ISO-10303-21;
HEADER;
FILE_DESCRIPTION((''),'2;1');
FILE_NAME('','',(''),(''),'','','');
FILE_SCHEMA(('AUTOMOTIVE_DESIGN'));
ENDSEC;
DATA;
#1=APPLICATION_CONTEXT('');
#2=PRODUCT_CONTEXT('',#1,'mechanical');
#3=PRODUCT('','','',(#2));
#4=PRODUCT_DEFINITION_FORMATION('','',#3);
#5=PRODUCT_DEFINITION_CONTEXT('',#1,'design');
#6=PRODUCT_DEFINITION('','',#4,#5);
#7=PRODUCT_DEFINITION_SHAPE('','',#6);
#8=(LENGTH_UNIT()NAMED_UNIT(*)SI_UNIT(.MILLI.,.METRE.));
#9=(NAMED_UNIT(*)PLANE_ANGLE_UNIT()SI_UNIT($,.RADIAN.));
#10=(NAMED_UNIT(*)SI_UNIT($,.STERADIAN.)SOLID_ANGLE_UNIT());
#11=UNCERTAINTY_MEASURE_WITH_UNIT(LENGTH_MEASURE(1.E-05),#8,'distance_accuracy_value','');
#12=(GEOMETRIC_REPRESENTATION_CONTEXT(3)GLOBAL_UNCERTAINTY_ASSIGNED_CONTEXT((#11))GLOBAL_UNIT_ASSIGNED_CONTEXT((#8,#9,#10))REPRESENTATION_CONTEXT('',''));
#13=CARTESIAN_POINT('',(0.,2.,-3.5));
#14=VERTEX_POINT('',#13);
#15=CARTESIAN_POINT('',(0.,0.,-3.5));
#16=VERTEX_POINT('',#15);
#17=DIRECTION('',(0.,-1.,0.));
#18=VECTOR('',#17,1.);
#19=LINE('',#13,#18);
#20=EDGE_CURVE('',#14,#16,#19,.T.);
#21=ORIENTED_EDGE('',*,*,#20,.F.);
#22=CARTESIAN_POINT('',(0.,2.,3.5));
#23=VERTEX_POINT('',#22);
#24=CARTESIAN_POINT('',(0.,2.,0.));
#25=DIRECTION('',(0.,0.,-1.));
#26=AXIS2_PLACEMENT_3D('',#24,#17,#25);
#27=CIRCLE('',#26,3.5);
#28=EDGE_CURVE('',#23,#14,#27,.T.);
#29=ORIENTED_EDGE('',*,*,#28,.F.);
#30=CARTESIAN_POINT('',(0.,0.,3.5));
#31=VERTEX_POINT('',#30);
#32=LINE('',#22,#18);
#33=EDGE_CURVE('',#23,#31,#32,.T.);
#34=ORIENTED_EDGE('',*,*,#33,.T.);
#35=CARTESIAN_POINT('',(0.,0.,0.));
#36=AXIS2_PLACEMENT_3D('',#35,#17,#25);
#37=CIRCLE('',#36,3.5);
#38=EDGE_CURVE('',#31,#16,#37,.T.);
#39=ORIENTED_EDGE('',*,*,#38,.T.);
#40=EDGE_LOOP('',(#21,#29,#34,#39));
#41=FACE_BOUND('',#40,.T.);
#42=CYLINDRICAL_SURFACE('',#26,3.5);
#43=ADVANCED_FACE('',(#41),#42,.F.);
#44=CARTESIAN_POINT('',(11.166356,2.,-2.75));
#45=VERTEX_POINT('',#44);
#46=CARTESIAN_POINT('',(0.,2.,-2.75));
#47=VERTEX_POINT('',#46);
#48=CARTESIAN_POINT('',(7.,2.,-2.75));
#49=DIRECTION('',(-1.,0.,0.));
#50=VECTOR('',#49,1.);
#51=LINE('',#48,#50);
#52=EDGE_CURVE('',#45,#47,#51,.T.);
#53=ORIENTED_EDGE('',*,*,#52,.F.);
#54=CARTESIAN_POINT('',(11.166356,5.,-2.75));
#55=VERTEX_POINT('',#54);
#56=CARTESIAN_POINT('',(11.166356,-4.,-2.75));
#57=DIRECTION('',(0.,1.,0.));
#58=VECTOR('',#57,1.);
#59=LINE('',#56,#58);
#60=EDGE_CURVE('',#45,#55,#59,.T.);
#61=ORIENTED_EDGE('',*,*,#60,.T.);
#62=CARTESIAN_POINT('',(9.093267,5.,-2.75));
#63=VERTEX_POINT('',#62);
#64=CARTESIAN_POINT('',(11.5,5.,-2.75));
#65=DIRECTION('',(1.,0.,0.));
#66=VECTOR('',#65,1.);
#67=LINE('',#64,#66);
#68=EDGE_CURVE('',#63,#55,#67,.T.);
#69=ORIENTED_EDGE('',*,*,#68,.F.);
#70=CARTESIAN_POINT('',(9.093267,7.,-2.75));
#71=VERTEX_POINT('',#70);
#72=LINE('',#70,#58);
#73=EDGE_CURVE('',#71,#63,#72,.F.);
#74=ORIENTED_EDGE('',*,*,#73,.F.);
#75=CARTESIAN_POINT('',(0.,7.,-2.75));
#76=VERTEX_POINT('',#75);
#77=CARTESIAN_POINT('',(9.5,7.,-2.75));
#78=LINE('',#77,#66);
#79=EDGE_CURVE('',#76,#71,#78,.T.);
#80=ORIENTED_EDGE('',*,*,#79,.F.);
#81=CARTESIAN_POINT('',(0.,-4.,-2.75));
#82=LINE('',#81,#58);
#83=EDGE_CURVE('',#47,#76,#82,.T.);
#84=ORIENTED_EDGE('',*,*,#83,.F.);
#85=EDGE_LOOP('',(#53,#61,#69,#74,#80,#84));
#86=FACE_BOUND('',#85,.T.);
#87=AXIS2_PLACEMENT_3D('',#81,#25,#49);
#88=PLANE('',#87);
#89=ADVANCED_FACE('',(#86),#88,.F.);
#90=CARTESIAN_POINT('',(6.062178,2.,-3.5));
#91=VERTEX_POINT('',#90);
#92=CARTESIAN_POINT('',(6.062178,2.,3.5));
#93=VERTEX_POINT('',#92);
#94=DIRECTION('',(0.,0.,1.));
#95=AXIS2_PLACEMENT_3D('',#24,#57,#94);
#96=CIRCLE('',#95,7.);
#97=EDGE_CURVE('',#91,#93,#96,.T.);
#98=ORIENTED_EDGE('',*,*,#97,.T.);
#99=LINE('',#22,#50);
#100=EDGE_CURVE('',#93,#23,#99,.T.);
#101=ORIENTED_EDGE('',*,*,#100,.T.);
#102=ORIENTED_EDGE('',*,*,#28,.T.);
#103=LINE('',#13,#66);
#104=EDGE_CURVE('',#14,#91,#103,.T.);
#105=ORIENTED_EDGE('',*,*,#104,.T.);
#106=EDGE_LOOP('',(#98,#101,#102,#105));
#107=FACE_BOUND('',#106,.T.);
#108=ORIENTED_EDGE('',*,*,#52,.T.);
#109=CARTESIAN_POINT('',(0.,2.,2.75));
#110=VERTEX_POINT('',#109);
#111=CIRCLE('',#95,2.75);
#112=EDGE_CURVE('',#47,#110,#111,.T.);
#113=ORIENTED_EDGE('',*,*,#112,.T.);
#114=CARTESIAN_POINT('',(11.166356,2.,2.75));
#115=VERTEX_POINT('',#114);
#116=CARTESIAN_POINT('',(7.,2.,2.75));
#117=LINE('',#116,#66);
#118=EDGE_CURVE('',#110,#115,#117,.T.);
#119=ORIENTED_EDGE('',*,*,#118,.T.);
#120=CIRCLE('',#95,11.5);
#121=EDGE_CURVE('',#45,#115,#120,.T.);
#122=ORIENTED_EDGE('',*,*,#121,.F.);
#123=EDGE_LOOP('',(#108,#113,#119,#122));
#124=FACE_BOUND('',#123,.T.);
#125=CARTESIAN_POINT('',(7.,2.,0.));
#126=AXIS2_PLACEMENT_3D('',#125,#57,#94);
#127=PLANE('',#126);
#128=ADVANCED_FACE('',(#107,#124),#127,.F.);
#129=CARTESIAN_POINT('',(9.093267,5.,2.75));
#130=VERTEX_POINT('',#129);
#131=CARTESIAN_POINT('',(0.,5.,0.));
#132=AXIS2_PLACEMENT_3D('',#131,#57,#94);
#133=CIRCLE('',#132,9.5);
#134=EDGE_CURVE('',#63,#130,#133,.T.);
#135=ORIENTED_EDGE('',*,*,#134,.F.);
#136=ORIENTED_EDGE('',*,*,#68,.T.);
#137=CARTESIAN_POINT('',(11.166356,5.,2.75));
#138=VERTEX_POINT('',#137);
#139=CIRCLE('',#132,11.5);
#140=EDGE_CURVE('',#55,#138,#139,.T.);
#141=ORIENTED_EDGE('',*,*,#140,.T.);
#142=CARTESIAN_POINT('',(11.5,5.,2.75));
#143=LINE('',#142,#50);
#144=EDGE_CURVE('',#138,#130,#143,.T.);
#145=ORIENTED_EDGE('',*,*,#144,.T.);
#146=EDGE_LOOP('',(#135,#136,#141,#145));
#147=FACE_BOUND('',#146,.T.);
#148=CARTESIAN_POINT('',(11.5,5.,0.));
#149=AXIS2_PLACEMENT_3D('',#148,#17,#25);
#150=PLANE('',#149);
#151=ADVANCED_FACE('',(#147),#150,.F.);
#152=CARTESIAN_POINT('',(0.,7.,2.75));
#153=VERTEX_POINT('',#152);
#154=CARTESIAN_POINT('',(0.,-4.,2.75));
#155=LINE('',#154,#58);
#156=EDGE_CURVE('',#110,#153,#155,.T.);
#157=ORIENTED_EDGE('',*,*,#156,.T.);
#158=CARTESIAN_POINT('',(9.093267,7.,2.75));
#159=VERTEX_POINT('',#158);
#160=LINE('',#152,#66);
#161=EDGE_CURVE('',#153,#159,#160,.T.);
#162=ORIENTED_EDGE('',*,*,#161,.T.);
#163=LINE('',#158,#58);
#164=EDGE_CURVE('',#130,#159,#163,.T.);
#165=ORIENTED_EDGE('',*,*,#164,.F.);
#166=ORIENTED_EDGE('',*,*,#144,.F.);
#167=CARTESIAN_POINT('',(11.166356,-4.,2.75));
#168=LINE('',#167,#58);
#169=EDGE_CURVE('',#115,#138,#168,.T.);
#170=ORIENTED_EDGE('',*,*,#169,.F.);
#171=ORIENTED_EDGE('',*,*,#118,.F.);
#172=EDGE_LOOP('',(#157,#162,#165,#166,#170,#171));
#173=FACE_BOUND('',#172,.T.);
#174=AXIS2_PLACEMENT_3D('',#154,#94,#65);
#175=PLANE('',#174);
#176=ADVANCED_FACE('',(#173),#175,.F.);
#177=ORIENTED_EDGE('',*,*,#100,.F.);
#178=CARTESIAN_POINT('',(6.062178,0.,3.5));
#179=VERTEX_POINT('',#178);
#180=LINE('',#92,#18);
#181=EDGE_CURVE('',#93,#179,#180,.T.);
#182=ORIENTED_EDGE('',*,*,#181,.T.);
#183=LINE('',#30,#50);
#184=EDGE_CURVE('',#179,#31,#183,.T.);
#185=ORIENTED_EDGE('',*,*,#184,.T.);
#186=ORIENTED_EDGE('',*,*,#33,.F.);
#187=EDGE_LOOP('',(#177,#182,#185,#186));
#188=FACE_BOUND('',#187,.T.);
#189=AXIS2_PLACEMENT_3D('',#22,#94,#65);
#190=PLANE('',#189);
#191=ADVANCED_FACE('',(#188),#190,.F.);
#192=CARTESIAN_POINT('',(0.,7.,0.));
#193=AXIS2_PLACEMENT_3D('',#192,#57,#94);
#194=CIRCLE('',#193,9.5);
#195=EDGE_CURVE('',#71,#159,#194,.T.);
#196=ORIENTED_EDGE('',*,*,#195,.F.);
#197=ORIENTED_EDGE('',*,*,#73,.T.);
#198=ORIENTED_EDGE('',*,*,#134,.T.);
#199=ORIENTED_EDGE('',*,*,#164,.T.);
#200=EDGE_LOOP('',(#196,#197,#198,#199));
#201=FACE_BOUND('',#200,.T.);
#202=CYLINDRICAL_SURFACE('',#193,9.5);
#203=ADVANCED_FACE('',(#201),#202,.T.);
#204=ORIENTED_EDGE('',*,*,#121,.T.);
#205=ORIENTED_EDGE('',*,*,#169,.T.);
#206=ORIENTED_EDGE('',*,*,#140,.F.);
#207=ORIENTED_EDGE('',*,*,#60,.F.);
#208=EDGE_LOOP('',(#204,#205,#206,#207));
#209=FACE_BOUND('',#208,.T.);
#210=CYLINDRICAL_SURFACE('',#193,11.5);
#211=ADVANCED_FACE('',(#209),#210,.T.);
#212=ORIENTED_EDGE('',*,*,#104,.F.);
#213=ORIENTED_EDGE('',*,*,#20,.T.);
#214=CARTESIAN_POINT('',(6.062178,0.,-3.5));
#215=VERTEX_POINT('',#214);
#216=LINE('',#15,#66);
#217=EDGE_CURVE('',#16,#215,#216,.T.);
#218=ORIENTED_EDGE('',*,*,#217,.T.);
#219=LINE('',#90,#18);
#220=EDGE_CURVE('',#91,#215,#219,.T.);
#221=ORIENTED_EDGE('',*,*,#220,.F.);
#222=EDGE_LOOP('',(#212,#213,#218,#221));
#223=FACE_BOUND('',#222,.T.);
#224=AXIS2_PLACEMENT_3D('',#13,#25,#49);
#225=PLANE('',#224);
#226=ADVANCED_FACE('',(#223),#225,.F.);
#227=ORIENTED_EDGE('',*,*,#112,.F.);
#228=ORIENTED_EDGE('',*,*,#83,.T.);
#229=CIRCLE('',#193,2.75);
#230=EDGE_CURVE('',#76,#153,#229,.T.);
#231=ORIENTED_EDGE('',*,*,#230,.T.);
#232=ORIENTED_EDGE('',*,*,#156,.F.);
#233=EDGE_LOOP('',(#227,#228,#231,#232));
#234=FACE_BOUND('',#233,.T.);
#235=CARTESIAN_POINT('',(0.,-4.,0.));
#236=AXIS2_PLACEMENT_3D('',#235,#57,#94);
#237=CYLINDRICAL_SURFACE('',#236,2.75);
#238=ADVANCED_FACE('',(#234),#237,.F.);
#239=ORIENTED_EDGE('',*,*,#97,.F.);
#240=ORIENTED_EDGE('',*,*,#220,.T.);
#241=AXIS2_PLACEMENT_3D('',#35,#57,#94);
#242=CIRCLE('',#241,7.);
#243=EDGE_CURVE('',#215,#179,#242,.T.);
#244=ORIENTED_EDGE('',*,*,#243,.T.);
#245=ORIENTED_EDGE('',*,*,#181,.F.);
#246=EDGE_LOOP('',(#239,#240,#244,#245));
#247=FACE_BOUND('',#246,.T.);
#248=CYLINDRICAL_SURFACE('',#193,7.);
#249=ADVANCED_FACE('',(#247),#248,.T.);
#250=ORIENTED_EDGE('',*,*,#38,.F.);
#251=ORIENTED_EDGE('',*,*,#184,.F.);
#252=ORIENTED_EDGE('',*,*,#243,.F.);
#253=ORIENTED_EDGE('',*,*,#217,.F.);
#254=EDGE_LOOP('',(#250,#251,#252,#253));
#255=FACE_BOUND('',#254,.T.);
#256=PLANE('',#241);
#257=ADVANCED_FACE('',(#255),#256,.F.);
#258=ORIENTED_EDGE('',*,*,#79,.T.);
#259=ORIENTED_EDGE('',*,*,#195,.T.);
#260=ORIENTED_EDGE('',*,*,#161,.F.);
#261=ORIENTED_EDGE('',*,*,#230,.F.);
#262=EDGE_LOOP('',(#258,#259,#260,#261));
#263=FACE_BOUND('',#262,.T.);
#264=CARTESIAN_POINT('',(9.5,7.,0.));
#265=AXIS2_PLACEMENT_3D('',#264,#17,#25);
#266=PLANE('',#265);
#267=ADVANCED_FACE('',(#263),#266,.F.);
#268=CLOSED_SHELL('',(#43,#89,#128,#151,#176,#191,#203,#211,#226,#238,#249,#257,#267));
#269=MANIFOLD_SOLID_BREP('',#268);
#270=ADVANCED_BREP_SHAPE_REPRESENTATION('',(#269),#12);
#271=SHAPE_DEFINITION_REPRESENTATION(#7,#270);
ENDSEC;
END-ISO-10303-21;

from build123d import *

# Parameters (mm, degrees)
CUT_EXTRUDE1_START = -2
CUT_EXTRUDE1_DEPTH = 2
CUT_EXTRUDE2_DEPTH = 11


with BuildPart() as part:
    # Sketch1 → Revolve1 (revolve)
    with BuildSketch(Plane.XY, mode=Mode.PRIVATE) as revolve1_sk:
        Polygon((0, 0), (7, 0), (7, 2), (11.5, 2), (11.5, 5), (9.5, 5), (9.5, 7), (0, 7), align=None)
    revolve(revolve1_sk.sketch.rotate(Axis((0, 7, 0), (0, -1, 0)), 90), axis=Axis((0, 7, 0), (0, -1, 0)))

    # Sketch3 → Cut-Extrude1 (cut)
    with BuildSketch(Plane.XZ.offset(CUT_EXTRUDE1_START)):
        with BuildLine():
            Line((0, 3.5), (6.062177826, 3.5))
            ThreePointArc((6.062177826, 3.5), (7, 0), (6.062177826, -3.5))
            Line((6.062177826, -3.5), (0, -3.5))
            ThreePointArc((0, -3.5), (-3.5, 0), (0, 3.5))
        make_face()
    extrude(amount=CUT_EXTRUDE1_DEPTH, mode=Mode.SUBTRACT)

    # Sketch4 → Cut-Extrude2 (cut)
    with BuildSketch(Plane(origin=(0, 7, 0), x_dir=(1, 0, 0), z_dir=(0, 1, 0))):
        with BuildLine():
            Line((0, 2.75), (11.166355717, 2.75))
            ThreePointArc((11.166355717, 2.75), (11.5, 0), (11.166355717, -2.75))
            Line((11.166355717, -2.75), (0, -2.75))
            ThreePointArc((0, -2.75), (-2.75, 0), (0, 2.75))
        make_face()
    extrude(amount=-CUT_EXTRUDE2_DEPTH, mode=Mode.SUBTRACT)


solid = part.part
